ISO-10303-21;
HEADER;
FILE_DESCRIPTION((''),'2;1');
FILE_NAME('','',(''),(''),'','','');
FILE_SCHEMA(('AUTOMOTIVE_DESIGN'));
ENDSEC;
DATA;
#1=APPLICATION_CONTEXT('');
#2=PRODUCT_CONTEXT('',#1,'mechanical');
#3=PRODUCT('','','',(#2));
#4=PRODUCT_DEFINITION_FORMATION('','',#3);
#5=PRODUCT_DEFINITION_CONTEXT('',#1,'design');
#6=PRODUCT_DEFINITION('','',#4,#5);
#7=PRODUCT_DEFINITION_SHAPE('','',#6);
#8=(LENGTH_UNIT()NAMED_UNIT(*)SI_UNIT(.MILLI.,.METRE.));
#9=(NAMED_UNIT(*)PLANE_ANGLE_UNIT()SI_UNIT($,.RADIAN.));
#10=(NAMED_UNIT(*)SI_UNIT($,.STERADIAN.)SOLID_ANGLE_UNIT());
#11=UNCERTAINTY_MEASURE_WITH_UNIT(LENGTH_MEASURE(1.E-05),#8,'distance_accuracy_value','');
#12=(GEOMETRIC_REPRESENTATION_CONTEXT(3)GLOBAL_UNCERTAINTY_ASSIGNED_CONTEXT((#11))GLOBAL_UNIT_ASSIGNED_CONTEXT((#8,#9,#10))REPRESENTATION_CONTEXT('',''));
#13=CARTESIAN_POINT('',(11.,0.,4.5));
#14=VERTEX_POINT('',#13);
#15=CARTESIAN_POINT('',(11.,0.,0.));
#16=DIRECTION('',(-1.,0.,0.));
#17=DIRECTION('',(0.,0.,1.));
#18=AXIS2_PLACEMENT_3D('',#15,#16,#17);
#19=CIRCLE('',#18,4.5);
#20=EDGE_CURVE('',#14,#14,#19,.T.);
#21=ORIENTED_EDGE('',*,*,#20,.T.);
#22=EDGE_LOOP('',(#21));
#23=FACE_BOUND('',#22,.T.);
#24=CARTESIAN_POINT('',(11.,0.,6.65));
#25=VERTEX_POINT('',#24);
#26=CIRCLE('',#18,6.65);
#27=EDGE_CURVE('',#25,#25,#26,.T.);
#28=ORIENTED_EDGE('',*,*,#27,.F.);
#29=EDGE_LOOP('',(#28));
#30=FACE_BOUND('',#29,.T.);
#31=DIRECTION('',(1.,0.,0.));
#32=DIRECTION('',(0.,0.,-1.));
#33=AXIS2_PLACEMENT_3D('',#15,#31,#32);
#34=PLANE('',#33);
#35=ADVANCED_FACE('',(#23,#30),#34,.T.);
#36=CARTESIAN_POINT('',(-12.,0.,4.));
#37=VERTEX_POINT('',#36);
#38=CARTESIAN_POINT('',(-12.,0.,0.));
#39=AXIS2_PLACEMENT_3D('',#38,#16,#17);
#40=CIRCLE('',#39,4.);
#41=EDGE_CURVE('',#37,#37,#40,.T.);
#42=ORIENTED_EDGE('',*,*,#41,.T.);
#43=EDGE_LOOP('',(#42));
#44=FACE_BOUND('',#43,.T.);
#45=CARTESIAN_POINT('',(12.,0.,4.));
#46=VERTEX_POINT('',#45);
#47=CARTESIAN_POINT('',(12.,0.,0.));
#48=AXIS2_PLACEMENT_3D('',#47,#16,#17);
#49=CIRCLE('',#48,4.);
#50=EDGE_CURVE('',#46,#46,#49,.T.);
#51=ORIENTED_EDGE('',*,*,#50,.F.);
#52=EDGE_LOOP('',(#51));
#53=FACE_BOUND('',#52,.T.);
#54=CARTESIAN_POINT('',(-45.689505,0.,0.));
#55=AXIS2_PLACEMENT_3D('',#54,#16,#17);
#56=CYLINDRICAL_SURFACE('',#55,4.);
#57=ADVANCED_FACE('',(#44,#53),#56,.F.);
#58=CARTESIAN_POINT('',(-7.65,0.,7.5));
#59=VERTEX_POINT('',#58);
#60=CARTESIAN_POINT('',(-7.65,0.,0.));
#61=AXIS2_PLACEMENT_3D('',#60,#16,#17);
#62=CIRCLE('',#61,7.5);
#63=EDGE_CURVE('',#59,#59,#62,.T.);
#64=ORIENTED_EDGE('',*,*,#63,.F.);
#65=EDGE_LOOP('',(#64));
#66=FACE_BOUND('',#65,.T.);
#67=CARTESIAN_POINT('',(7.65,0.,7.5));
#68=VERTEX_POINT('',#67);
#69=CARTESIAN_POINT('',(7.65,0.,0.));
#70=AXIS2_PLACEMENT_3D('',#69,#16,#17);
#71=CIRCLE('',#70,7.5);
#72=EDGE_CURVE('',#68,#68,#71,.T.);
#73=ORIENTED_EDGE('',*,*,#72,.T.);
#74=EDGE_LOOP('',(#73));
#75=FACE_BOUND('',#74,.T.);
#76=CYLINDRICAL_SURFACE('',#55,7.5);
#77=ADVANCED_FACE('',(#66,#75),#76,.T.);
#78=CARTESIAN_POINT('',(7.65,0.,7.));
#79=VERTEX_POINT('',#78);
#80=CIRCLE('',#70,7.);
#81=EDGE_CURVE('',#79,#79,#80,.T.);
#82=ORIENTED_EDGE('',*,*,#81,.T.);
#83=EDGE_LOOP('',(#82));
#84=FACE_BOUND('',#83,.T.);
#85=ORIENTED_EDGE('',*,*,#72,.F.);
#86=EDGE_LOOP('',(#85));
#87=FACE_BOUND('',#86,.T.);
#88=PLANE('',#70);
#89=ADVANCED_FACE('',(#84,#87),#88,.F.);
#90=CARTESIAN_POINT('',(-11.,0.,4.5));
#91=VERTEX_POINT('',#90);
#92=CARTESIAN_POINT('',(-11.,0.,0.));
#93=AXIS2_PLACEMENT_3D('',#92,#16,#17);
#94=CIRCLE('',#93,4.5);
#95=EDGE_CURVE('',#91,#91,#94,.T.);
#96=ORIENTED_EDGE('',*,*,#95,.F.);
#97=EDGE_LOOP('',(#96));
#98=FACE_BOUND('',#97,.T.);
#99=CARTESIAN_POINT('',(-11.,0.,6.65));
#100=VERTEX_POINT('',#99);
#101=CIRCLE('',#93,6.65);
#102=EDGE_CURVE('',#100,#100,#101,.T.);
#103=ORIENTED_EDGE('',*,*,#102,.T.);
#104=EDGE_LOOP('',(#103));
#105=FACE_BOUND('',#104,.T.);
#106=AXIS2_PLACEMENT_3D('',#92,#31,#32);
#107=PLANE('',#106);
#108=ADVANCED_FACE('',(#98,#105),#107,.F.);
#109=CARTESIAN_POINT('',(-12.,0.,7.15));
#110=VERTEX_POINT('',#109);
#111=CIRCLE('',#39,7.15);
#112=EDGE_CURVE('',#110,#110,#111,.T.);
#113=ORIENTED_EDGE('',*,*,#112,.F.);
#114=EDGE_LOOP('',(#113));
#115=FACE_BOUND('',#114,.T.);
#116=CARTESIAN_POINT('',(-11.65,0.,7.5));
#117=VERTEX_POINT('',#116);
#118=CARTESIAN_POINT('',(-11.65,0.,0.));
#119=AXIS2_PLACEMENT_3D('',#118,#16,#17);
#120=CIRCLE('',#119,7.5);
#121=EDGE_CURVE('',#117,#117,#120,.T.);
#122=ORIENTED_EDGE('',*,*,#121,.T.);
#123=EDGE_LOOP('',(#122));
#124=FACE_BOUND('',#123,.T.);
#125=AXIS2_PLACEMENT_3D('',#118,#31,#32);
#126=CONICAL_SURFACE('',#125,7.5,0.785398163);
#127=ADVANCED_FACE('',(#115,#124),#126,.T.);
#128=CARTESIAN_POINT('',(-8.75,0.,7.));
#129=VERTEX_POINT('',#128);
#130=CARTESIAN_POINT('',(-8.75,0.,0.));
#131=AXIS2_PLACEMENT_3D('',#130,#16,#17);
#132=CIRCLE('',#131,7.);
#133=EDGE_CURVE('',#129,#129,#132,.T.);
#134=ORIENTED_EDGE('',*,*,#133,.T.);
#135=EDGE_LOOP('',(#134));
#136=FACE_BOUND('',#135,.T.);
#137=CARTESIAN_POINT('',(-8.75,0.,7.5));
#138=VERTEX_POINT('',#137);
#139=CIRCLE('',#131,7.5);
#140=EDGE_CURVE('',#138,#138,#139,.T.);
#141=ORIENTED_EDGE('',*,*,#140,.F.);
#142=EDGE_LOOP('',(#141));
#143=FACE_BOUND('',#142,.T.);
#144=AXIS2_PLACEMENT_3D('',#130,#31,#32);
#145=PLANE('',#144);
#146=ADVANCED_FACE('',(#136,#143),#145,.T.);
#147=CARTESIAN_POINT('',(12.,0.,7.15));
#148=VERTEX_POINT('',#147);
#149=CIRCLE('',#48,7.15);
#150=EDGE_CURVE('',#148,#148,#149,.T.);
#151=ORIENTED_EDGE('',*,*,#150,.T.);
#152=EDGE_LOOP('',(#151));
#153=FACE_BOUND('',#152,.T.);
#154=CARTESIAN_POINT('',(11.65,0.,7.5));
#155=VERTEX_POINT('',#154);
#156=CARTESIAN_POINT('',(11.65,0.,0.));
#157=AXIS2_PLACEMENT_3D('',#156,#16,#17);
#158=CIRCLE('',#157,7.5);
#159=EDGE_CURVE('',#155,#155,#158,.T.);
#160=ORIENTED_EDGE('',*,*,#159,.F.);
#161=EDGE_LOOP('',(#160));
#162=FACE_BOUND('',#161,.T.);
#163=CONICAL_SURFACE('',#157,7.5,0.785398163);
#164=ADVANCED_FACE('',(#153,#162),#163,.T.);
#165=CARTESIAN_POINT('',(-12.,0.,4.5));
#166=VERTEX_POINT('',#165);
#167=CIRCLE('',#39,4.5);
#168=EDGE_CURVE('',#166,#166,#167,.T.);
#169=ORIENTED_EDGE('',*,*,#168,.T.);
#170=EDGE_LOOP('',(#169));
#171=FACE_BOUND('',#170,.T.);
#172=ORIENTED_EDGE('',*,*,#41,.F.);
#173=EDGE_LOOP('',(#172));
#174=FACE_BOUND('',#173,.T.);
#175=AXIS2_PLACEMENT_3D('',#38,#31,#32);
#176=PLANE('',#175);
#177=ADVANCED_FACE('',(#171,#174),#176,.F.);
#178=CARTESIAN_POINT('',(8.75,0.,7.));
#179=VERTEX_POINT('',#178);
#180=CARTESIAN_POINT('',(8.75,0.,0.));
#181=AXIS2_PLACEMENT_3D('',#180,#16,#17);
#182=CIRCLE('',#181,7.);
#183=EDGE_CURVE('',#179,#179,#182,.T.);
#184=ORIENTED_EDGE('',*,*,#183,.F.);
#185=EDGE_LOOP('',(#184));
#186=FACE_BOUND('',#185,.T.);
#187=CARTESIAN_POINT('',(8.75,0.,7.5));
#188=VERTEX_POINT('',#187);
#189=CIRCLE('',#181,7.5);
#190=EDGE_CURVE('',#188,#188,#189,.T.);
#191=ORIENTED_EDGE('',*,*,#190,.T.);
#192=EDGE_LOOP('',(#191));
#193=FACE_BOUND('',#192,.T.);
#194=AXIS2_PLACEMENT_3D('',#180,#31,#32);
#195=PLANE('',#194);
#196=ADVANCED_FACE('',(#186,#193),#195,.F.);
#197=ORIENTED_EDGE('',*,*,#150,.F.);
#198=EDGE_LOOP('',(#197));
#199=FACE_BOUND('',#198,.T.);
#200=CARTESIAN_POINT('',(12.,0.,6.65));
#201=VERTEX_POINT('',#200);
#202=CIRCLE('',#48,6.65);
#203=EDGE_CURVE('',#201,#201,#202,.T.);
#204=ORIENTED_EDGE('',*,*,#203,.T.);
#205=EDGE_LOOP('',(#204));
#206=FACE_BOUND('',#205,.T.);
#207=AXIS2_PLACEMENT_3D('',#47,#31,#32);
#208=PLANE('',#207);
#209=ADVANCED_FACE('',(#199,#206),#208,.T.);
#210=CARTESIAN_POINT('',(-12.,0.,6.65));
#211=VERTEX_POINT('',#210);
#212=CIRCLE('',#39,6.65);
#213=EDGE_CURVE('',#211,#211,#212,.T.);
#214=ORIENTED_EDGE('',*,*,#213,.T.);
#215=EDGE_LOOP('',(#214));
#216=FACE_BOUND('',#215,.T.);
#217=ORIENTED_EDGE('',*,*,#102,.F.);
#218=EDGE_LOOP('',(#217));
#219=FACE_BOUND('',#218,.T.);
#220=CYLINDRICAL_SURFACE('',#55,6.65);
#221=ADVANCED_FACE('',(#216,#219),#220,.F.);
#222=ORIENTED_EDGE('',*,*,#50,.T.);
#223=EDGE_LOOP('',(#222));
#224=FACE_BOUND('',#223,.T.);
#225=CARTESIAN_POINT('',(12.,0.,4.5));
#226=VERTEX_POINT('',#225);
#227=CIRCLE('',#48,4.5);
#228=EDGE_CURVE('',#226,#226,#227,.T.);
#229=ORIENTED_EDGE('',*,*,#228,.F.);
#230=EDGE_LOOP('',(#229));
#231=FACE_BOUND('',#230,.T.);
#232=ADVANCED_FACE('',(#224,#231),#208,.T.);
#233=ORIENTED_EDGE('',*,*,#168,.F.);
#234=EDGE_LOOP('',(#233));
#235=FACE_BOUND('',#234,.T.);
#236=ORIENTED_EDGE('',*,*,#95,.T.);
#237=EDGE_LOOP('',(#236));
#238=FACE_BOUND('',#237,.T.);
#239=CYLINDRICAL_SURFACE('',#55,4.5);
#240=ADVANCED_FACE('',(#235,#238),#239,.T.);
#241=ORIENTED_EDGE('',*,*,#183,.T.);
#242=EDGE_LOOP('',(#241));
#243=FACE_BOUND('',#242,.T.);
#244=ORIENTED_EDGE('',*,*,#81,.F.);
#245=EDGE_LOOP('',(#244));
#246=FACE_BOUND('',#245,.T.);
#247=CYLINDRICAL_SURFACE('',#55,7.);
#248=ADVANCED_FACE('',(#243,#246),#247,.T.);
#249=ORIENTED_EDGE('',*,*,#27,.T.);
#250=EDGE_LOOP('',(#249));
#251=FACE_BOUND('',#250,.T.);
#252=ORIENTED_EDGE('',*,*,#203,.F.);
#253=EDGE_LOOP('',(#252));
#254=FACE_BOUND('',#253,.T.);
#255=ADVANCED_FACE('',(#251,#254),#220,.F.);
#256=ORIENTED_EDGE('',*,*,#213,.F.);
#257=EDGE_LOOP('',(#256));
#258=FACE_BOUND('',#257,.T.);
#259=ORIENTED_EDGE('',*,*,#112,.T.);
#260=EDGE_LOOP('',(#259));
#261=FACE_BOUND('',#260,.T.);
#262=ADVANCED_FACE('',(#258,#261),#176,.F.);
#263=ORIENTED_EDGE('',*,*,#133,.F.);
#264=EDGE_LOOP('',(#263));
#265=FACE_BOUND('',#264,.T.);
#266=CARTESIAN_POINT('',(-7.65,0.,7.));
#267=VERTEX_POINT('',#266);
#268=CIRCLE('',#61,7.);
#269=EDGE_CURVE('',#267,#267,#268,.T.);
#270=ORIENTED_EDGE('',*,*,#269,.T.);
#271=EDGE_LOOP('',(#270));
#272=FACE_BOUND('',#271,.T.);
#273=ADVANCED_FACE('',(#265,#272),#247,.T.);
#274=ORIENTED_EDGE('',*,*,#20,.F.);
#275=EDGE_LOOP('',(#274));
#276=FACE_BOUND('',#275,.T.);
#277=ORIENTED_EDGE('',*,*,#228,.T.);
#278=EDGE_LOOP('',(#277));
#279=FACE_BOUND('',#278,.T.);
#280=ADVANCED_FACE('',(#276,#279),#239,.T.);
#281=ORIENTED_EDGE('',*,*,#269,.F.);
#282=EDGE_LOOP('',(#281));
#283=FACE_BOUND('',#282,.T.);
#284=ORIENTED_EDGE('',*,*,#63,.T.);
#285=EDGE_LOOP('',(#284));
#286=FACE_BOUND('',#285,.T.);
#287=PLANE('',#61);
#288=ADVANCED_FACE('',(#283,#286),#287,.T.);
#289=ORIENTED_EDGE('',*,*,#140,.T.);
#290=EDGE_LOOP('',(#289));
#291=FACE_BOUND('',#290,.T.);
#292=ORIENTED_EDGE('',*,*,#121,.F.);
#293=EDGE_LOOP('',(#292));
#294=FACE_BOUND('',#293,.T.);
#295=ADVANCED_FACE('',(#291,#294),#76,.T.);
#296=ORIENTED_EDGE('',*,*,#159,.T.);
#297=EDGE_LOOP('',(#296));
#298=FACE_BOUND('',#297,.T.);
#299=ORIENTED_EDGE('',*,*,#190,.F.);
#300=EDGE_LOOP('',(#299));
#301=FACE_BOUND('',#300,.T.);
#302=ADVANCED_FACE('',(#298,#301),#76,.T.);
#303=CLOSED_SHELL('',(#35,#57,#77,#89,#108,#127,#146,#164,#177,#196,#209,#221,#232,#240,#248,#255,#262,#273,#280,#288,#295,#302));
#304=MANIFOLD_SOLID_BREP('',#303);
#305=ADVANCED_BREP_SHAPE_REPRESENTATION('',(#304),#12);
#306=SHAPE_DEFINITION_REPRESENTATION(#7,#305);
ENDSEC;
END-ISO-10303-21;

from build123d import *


with BuildPart() as part:
    # Sketch1 → Revolve1 (revolve)
    with BuildSketch(Plane.XY, mode=Mode.PRIVATE) as revolve1_sk:
        Polygon((11.65, 7.5), (12, 7.15), (12, 6.65), (11, 6.65), (11, 4.5), (12, 4.5), (12, 4), (-12, 4), (-12, 4.5), (-11, 4.5), (-11, 6.65), (-12, 6.65), (-12, 7.15), (-11.65, 7.5), (-8.75, 7.5), (-8.75, 7), (-7.65, 7), (-7.65, 7.5), (7.65, 7.5), (7.65, 7), (8.75, 7), (8.75, 7.5), align=None)
    revolve(revolve1_sk.sketch.rotate(Axis((-45.689505325, 0, 0), (1, 0, 0)), 90), axis=Axis((-45.689505325, 0, 0), (1, 0, 0)))


solid = part.part
